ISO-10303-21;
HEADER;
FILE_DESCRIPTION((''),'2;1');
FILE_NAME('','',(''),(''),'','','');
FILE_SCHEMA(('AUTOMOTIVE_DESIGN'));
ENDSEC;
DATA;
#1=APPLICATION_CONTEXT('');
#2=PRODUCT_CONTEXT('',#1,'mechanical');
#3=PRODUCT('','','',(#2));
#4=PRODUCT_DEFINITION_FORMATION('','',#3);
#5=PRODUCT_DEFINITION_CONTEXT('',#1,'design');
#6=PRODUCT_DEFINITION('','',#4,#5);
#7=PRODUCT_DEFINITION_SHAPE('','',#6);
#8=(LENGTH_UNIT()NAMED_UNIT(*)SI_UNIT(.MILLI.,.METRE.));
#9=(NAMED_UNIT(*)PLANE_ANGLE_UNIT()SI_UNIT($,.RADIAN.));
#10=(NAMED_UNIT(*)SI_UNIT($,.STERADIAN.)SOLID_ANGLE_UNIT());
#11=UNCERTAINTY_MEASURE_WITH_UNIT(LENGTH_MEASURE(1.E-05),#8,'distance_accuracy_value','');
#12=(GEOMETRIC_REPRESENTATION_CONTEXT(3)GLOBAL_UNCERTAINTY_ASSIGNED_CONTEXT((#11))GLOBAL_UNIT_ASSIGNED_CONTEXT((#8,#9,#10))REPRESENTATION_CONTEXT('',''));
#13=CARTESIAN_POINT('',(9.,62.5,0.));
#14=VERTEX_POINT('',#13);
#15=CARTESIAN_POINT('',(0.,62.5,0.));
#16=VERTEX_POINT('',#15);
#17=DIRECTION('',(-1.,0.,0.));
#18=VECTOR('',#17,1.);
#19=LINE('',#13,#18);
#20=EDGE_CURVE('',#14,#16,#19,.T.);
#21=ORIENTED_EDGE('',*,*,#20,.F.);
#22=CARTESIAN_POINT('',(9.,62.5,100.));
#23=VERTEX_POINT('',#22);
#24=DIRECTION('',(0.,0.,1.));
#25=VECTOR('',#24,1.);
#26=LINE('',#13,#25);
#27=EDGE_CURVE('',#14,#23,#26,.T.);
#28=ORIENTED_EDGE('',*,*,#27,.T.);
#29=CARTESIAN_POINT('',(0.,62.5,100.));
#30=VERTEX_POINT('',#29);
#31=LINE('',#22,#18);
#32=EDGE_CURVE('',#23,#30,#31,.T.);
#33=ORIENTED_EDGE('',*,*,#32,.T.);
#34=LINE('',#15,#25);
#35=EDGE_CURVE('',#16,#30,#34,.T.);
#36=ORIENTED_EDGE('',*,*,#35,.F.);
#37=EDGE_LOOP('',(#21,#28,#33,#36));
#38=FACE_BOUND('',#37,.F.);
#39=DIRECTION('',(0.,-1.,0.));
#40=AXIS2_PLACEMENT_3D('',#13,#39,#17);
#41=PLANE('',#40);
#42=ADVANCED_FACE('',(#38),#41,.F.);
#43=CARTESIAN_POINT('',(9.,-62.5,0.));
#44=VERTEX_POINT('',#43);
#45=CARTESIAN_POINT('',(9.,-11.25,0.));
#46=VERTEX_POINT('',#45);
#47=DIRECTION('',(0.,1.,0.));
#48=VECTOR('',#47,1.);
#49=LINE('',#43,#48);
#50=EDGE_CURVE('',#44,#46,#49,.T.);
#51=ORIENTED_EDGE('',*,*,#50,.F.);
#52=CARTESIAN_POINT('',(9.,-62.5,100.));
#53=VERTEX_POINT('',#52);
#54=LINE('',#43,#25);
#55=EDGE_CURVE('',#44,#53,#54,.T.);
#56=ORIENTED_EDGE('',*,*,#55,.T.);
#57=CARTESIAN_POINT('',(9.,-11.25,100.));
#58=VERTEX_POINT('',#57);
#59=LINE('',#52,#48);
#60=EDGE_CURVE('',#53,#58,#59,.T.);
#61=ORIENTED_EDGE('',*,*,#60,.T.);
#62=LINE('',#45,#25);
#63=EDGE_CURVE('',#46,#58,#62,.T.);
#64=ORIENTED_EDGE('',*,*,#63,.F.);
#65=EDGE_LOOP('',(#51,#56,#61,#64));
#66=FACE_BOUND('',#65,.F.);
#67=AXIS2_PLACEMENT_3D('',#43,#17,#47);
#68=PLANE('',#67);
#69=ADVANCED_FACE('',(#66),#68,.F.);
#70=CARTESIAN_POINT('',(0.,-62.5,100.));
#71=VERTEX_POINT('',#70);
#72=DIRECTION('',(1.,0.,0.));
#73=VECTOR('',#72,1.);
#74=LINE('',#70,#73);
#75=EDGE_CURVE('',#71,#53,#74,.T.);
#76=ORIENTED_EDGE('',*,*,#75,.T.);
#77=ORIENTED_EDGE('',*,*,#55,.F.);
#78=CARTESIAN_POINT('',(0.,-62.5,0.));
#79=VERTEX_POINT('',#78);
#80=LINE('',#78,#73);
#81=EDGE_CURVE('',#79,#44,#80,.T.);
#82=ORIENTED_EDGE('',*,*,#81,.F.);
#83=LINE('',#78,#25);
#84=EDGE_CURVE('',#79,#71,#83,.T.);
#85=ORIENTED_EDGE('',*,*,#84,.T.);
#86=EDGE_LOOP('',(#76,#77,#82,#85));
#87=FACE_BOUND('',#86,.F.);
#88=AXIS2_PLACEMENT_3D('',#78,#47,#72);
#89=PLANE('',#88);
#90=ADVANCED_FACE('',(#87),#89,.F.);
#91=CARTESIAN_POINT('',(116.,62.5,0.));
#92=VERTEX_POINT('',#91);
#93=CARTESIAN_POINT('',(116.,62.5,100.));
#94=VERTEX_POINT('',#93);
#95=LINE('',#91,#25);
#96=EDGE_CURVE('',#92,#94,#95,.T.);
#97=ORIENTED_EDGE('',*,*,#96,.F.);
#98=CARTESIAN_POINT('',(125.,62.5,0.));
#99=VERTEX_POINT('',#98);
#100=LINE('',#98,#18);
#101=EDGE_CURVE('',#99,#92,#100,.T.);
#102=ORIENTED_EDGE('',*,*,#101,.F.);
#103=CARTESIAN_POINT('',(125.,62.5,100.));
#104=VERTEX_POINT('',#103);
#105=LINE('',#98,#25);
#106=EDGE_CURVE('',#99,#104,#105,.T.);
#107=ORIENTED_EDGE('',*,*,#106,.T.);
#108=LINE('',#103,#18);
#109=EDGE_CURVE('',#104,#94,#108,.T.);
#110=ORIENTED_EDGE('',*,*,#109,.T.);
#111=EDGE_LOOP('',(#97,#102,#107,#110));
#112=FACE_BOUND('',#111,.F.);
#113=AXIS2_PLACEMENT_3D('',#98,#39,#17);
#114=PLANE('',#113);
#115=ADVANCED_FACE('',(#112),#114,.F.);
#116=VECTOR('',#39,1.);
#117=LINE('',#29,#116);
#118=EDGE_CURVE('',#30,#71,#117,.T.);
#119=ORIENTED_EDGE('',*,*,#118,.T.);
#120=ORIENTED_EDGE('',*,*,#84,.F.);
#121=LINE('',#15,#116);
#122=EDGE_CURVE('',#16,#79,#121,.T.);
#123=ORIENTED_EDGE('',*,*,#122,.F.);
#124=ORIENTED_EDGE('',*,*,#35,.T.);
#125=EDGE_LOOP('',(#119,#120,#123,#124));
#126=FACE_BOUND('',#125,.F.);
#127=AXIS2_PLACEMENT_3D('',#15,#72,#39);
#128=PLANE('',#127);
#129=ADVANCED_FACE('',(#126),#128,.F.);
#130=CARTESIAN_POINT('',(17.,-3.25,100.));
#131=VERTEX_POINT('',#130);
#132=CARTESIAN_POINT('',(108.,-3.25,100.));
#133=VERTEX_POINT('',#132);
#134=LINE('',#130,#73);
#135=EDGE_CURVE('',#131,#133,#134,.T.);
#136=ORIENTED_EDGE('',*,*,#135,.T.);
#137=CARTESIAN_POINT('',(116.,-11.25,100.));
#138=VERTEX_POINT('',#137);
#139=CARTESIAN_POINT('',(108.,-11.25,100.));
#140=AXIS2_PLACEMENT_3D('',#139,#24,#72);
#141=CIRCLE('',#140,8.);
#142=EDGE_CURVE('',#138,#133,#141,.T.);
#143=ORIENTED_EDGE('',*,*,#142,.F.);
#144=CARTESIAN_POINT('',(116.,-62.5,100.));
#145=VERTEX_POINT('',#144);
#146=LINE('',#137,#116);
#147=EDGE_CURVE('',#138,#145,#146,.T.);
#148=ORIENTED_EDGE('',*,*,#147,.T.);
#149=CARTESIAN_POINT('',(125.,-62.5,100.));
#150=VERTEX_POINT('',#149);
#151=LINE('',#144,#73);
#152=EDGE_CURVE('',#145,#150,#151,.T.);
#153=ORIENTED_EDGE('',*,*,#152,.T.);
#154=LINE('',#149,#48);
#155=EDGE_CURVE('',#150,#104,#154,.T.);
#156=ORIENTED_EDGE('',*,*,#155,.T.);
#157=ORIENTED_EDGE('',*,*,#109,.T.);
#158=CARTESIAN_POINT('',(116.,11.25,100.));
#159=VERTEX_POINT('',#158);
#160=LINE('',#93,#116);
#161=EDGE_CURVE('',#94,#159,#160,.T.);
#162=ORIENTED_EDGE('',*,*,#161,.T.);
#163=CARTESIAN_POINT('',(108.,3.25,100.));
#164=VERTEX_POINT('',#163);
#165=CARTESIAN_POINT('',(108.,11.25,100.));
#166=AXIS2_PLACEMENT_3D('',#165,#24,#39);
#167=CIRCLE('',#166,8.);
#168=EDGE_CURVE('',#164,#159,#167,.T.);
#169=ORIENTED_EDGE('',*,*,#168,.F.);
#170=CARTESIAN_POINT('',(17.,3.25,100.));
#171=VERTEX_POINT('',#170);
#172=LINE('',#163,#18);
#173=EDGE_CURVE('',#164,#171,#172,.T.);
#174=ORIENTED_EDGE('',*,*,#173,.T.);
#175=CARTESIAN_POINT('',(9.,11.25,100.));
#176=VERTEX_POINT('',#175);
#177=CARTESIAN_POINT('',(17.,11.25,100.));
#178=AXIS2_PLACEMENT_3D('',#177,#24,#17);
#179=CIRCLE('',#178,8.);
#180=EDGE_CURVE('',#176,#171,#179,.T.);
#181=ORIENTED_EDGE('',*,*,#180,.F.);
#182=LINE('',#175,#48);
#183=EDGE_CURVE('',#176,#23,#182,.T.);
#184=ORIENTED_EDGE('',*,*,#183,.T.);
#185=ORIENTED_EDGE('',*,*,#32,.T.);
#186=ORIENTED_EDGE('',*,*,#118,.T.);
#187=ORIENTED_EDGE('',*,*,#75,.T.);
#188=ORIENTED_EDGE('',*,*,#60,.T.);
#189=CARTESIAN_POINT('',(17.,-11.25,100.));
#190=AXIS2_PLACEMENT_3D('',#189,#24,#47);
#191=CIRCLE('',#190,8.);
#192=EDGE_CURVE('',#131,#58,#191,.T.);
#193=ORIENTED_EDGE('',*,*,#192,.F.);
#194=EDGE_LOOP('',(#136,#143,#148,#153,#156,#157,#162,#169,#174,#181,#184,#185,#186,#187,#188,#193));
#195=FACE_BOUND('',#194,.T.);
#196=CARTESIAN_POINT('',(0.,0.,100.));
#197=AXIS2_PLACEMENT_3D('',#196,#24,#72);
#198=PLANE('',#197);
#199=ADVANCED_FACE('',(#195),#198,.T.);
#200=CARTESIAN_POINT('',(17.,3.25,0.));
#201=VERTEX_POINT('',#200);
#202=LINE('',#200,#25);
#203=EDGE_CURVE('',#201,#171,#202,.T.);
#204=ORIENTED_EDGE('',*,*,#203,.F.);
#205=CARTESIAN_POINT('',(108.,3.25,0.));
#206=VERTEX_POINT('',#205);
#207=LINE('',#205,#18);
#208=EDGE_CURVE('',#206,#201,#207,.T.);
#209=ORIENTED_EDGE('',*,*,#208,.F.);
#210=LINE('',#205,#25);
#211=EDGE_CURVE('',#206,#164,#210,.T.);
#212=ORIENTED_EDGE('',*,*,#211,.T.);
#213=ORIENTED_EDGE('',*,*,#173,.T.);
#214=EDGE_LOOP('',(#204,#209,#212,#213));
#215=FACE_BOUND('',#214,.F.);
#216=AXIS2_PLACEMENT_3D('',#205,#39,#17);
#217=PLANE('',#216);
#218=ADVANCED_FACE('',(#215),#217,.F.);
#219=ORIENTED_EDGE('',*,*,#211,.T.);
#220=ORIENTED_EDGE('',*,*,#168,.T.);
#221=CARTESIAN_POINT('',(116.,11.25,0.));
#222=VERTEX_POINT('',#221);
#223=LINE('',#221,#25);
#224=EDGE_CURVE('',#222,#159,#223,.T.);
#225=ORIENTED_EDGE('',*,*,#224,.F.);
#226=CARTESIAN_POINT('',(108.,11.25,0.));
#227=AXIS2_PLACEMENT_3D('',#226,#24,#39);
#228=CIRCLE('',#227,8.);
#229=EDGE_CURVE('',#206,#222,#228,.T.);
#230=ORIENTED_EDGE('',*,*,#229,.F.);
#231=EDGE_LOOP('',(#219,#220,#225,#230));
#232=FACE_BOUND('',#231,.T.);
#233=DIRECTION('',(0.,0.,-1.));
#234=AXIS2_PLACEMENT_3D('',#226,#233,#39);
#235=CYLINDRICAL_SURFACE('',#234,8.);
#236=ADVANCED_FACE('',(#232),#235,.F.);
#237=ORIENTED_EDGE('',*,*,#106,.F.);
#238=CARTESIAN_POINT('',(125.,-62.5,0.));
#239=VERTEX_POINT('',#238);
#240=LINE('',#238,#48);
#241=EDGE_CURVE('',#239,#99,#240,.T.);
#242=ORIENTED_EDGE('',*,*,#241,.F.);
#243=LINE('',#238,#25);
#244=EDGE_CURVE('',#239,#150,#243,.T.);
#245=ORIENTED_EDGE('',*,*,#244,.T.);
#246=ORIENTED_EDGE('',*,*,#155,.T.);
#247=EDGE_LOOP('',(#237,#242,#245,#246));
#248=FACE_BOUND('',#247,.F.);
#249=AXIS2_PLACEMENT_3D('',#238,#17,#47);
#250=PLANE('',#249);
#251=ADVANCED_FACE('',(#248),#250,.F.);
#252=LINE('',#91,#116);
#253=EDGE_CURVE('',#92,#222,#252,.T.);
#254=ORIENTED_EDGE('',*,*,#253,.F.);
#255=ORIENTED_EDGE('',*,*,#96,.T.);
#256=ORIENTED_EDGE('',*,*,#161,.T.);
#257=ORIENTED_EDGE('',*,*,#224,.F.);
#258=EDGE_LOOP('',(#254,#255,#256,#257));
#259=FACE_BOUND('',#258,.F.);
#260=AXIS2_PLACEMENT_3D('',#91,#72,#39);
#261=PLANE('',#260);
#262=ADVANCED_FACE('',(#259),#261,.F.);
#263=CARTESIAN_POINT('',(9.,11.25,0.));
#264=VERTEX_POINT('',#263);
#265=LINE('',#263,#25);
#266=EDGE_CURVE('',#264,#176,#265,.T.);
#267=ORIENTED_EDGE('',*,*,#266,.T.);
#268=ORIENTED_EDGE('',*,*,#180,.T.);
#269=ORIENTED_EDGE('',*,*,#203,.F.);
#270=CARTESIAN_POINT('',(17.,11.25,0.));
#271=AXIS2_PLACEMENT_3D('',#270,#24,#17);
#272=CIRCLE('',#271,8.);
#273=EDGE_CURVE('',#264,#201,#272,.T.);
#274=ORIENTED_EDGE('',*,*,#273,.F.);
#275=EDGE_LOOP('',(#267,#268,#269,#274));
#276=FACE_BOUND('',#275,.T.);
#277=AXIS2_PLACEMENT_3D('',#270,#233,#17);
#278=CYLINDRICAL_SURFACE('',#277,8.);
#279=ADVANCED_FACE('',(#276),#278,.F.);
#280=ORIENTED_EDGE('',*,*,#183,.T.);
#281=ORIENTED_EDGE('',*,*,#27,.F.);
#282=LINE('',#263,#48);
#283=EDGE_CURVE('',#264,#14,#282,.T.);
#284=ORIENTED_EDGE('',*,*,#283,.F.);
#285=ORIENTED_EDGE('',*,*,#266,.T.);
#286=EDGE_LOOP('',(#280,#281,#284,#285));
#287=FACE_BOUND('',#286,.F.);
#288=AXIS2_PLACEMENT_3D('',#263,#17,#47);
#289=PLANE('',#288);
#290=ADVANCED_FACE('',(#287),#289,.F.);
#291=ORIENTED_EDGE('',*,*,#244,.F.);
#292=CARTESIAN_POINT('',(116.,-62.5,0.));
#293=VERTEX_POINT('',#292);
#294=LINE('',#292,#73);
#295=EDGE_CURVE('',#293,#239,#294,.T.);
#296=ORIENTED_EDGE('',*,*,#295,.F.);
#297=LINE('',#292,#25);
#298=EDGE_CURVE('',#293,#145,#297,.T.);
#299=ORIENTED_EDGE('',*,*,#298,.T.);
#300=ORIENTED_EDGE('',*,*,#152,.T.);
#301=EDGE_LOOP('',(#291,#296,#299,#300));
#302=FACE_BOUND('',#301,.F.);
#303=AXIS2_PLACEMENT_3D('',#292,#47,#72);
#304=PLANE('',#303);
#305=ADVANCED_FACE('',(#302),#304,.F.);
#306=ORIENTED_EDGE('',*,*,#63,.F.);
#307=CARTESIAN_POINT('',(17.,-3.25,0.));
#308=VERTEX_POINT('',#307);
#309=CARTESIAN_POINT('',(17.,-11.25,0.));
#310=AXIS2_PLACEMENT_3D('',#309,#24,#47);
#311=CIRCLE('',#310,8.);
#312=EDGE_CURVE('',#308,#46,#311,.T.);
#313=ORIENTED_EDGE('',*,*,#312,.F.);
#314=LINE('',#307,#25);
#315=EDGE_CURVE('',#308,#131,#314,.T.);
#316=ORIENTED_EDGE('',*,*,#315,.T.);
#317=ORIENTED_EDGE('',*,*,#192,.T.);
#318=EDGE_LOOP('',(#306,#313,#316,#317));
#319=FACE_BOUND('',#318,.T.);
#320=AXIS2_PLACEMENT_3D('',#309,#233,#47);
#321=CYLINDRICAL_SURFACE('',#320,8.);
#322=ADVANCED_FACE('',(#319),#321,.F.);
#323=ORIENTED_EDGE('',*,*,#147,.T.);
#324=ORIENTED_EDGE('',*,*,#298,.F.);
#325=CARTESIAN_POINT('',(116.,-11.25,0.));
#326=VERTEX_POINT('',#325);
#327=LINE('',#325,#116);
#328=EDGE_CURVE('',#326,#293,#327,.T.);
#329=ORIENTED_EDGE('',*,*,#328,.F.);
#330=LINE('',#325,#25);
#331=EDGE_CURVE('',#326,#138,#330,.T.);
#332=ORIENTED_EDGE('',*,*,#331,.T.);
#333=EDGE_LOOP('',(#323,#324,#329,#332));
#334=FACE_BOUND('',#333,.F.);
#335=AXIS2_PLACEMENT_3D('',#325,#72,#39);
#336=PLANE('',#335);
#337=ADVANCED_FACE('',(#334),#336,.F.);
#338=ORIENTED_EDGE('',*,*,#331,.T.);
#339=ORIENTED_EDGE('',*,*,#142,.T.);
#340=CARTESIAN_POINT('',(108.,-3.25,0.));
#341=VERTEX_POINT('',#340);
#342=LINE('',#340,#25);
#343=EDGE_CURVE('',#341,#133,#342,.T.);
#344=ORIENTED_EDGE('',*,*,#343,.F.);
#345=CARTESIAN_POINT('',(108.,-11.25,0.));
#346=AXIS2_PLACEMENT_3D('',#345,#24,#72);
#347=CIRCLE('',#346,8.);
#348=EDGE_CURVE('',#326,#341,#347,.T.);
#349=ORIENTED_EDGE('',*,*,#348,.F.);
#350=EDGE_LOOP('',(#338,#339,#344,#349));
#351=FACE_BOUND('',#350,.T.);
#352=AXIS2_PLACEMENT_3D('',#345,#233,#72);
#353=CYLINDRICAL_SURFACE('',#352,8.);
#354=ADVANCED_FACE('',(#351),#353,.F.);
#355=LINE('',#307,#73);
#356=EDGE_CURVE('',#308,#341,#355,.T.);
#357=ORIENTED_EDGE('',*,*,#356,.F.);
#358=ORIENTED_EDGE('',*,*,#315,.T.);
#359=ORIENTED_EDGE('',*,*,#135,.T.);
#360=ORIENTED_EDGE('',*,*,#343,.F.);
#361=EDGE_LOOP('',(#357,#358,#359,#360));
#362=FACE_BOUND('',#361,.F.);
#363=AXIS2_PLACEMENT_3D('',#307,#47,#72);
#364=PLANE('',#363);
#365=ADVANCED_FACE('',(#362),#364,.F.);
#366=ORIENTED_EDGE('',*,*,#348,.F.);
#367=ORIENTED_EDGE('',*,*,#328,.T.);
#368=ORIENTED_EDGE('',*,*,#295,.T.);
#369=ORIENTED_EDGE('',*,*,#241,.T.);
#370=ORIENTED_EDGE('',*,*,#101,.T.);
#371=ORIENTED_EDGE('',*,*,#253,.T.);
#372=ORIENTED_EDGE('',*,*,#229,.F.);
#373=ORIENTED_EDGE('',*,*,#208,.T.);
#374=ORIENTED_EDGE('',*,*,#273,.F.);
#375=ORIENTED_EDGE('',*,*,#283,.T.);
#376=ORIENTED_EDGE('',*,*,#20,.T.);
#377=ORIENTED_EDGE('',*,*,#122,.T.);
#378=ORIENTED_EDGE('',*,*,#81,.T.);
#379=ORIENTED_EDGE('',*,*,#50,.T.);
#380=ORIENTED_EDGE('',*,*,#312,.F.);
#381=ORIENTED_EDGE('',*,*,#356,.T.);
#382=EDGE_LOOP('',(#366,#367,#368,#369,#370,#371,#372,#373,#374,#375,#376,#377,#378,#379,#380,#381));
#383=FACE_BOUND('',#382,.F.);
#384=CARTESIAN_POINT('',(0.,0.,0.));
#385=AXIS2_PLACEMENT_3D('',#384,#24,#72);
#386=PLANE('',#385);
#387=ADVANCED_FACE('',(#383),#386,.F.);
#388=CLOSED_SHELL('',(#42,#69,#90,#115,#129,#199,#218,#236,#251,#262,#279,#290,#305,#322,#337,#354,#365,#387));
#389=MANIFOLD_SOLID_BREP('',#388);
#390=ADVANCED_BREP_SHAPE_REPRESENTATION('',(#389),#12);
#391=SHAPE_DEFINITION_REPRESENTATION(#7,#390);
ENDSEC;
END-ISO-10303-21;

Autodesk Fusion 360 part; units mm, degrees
sketch "スケッチ1" plane through (0, 0, 0) normal (0, 0, 1) x (1, 0, 0)
  line L0 (0, 62.5) -> (0, -62.5)
  line L1 (125, -62.5) -> (125, 62.5)
  line L2 (17, -3.25) -> (108, -3.25)
  line L3 (9, -62.5) -> (9, -11.25)
  line L4 (0, -62.5) -> (9, -62.5)
  line L5 (116, -11.25) -> (116, -62.5)
  line L6 (116, -62.5) -> (125, -62.5)
  line L7 (108, 3.25) -> (17, 3.25)
  line L8 (9, 11.25) -> (9, 62.5)
  line L9 (9, 62.5) -> (0, 62.5)
  line L10 (116, 62.5) -> (116, 11.25)
  line L11 (125, 62.5) -> (116, 62.5)
  arc A0 (17, -3.25) -> (9, -11.25) centre (17, -11.25) ccw
  arc A1 (9, 11.25) -> (17, 3.25) centre (17, 11.25) ccw
  arc A2 (108, 3.25) -> (116, 11.25) centre (108, 11.25) ccw
  arc A3 (116, -11.25) -> (108, -3.25) centre (108, -11.25) ccw
extrude "押し出し1" add sketch "スケッチ1" along normal blind 100
